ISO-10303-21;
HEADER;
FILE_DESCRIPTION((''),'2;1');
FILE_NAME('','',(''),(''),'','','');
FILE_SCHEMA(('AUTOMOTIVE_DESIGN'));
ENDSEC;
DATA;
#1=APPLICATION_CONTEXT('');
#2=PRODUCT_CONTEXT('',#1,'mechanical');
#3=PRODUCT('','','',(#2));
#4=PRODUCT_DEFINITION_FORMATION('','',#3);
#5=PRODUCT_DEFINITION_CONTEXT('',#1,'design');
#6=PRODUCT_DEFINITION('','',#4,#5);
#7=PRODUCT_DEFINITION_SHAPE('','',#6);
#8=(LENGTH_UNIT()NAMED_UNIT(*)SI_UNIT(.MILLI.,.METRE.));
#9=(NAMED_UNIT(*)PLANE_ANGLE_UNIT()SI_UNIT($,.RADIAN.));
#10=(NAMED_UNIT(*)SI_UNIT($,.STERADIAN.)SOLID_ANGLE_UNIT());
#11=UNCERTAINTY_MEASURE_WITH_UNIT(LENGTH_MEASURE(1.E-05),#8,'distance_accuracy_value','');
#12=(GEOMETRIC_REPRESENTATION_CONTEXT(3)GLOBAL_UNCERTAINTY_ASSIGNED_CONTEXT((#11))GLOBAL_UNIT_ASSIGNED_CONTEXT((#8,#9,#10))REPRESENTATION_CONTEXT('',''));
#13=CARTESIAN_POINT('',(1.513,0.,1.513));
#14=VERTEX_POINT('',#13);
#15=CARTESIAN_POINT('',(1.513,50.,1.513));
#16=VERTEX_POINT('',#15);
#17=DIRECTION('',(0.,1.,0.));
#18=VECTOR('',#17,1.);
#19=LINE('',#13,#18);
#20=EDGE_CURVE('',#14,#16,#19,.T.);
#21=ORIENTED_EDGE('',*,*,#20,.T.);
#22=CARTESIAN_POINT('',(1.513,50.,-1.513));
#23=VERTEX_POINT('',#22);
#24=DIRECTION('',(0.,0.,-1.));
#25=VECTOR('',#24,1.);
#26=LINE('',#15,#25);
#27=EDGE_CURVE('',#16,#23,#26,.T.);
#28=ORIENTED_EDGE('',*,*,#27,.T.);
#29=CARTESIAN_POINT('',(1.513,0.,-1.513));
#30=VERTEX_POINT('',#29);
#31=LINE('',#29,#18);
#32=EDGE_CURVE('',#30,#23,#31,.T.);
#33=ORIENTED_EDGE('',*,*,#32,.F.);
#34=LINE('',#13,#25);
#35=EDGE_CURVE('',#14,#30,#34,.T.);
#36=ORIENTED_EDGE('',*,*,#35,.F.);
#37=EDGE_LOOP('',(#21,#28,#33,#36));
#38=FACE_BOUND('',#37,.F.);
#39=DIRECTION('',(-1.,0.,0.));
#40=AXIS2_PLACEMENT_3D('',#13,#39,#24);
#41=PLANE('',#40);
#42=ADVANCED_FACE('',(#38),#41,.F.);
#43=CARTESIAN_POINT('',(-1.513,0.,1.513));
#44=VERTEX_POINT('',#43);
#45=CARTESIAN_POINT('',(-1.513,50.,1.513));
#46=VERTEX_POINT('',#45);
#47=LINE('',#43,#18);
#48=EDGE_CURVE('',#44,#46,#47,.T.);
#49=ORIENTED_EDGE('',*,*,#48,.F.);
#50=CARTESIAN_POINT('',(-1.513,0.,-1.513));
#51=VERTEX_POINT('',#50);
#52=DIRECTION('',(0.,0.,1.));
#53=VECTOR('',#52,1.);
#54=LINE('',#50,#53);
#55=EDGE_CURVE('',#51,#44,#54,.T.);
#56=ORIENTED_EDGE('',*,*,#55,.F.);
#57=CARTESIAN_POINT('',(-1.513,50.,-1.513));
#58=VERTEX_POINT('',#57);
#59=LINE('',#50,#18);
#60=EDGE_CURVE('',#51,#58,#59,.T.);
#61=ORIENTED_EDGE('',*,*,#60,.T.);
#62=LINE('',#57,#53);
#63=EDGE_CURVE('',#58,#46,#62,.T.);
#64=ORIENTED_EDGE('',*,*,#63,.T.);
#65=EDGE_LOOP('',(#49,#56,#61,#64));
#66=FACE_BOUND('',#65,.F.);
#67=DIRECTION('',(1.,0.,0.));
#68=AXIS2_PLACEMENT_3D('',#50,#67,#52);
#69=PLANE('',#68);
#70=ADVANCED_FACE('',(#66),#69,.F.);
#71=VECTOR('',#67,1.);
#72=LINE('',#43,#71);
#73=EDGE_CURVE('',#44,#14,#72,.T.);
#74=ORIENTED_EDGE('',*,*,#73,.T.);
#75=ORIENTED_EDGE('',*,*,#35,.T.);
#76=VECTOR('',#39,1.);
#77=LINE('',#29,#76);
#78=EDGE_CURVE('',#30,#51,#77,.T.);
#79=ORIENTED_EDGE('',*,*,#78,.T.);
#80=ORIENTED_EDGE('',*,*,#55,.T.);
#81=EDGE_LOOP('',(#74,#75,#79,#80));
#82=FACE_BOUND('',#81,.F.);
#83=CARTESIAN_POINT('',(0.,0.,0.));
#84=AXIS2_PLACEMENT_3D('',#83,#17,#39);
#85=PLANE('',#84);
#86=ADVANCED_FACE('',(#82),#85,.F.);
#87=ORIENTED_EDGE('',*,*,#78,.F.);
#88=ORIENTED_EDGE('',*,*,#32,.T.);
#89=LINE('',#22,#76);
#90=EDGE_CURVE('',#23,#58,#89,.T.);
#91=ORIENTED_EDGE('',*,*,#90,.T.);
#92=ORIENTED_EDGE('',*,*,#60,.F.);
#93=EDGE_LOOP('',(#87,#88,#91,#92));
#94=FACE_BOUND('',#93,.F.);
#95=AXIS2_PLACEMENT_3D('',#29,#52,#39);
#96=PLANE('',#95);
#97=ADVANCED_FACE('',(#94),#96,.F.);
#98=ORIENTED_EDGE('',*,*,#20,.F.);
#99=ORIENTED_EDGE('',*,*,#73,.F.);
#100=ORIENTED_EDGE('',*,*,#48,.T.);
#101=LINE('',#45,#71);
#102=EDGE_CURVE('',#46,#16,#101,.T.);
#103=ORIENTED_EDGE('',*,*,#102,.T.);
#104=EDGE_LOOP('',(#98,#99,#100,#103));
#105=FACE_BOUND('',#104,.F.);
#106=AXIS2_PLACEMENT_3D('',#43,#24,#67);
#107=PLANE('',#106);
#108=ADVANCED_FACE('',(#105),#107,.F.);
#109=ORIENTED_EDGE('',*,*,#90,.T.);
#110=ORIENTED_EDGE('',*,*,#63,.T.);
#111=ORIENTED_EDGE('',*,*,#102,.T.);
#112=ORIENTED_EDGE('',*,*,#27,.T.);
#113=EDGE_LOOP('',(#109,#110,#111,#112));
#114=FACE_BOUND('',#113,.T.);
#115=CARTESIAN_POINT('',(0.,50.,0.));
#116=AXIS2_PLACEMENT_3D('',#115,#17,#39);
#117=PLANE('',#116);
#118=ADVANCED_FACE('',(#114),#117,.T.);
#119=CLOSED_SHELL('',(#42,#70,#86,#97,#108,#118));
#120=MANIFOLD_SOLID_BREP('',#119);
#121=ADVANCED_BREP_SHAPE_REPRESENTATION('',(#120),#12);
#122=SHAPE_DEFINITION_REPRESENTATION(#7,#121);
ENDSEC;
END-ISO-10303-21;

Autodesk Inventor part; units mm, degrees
ref_plane "YZ Plane" through (0, 0, 0) normal (1, 0, 0) x (0, 1, 0)
ref_plane "XZ Plane" through (0, 0, 0) normal (0, 1, 0) x (-1, 0, 0)
ref_plane "XY Plane" through (0, 0, 0) normal (0, 0, 1) x (1, 0, 0)
sketch "Sketch1" plane through (0, 0, 0) normal (0, 1, 0) x (-1, 0, 0)
  line L0 (-1.513, 1.513) -> (-1.513, -1.513)
  line L1 (-1.513, -1.513) -> (1.513, -1.513)
  line L2 (1.513, -1.513) -> (1.513, 1.513)
  line L3 (1.513, 1.513) -> (-1.513, 1.513)
  line L4 (-1.513, 1.513) -> (1.513, -1.513) construction
  line L5 (-1.513, -1.513) -> (1.513, 1.513) construction
  point P0 (0, 0)
  dimension "d0" = 3.026
  dimension "d1" = 3.026
extrude "Extrusion1" add sketch "Sketch1" along normal blind 50
properties part number "Step Motor Rod"
